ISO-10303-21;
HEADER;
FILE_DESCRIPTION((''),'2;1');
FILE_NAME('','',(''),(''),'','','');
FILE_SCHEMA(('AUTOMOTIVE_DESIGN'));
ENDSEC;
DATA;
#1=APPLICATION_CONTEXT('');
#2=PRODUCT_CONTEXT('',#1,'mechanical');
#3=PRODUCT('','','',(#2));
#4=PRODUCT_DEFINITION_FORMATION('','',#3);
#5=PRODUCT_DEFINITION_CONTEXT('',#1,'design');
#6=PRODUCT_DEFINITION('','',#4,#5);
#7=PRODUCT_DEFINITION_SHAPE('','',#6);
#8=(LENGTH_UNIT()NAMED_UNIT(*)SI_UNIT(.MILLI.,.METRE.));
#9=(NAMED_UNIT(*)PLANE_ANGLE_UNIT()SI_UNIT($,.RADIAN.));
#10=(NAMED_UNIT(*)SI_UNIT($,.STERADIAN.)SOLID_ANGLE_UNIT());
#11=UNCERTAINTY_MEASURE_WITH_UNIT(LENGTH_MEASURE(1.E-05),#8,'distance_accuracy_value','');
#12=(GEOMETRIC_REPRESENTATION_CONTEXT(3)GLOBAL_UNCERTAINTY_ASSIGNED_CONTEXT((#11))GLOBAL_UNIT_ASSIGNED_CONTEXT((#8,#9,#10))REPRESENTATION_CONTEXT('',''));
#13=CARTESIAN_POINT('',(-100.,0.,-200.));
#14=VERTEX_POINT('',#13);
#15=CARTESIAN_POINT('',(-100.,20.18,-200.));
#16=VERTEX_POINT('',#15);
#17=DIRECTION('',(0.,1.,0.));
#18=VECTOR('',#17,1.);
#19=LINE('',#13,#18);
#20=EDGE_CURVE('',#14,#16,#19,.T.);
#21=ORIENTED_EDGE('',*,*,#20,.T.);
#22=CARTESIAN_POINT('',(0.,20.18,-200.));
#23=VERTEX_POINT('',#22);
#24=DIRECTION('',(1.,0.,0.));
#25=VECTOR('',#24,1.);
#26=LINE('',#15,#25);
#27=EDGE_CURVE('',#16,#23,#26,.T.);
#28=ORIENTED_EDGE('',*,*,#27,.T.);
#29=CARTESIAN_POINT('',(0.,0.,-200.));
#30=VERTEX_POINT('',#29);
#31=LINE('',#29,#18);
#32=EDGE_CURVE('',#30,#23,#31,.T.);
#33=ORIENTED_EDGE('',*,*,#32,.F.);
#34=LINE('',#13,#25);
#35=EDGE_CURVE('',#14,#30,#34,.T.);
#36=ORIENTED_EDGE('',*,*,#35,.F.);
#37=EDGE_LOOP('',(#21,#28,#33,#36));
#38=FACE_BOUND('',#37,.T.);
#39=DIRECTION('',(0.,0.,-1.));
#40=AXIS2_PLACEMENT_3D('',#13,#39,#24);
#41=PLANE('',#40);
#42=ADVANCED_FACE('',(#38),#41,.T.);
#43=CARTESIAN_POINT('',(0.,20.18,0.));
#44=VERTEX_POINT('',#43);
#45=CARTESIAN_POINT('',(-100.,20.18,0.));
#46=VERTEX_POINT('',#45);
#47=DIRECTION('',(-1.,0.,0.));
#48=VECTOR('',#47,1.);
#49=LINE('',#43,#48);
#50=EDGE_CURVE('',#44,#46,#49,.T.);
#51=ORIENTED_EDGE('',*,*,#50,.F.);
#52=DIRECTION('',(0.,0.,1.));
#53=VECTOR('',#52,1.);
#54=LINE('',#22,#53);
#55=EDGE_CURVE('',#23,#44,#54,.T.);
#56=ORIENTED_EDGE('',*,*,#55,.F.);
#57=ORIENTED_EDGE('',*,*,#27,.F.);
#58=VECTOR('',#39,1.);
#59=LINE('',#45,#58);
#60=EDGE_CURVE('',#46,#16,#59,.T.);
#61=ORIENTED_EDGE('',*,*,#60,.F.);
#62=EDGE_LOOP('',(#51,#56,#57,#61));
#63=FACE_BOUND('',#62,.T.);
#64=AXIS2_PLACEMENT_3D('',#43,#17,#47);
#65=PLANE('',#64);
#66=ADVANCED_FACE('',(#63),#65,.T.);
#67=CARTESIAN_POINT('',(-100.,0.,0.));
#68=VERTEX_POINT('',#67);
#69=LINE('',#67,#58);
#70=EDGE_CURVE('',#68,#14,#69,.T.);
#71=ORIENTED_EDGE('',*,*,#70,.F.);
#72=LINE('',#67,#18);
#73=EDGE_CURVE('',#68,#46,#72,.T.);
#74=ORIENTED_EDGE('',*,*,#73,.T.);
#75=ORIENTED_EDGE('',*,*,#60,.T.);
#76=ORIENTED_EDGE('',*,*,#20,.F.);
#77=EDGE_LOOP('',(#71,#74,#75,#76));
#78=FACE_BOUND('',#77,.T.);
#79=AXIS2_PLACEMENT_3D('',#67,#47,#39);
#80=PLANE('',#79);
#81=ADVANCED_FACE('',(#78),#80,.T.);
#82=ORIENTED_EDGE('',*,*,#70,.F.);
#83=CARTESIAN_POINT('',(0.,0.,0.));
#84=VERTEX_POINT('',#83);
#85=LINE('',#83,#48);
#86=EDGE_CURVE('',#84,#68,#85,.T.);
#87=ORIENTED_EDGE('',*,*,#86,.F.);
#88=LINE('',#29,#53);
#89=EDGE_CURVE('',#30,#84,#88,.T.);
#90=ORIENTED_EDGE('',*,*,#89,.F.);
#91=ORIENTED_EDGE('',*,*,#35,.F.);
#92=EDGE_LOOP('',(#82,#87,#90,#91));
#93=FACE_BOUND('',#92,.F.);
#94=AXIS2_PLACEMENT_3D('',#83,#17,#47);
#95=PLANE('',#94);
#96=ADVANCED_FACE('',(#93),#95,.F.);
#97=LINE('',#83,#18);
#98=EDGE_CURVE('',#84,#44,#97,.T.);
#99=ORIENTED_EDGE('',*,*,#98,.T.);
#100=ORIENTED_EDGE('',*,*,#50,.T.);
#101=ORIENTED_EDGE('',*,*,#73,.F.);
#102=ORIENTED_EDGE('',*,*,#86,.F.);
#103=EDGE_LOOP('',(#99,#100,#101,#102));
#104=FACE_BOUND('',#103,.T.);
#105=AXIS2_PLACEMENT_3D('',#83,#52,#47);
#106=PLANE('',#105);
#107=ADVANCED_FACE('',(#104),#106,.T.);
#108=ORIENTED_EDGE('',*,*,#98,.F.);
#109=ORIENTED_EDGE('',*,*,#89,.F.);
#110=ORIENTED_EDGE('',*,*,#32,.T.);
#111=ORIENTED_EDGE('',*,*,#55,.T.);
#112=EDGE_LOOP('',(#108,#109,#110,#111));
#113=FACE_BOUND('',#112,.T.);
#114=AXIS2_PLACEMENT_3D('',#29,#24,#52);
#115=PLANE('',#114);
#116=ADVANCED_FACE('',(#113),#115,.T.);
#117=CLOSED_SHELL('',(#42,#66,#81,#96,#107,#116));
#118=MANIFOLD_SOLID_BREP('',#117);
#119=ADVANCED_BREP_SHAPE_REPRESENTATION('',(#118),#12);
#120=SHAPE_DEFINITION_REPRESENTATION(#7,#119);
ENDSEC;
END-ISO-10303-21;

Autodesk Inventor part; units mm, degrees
ref_plane "YZ Plane" through (0, 0, 0) normal (1, 0, 0) x (0, 1, 0)
ref_plane "XZ Plane" through (0, 0, 0) normal (0, 1, 0) x (-1, 0, 0)
ref_plane "XY Plane" through (0, 0, 0) normal (0, 0, 1) x (1, 0, 0)
sketch "Sketch1" plane through (0, 0, 0) normal (0, 1, 0) x (-1, 0, 0)
  line L0 (0, 0) -> (100, 0)
  line L1 (100, 0) -> (100, -200)
  line L2 (100, -200) -> (0, -200)
  line L3 (0, -200) -> (0, 0)
  dimension "d0" = 100
  dimension "d1" = 200
extrude "Extrusion1" add sketch "Sketch1" along normal blind 20.18
properties part number "support"
